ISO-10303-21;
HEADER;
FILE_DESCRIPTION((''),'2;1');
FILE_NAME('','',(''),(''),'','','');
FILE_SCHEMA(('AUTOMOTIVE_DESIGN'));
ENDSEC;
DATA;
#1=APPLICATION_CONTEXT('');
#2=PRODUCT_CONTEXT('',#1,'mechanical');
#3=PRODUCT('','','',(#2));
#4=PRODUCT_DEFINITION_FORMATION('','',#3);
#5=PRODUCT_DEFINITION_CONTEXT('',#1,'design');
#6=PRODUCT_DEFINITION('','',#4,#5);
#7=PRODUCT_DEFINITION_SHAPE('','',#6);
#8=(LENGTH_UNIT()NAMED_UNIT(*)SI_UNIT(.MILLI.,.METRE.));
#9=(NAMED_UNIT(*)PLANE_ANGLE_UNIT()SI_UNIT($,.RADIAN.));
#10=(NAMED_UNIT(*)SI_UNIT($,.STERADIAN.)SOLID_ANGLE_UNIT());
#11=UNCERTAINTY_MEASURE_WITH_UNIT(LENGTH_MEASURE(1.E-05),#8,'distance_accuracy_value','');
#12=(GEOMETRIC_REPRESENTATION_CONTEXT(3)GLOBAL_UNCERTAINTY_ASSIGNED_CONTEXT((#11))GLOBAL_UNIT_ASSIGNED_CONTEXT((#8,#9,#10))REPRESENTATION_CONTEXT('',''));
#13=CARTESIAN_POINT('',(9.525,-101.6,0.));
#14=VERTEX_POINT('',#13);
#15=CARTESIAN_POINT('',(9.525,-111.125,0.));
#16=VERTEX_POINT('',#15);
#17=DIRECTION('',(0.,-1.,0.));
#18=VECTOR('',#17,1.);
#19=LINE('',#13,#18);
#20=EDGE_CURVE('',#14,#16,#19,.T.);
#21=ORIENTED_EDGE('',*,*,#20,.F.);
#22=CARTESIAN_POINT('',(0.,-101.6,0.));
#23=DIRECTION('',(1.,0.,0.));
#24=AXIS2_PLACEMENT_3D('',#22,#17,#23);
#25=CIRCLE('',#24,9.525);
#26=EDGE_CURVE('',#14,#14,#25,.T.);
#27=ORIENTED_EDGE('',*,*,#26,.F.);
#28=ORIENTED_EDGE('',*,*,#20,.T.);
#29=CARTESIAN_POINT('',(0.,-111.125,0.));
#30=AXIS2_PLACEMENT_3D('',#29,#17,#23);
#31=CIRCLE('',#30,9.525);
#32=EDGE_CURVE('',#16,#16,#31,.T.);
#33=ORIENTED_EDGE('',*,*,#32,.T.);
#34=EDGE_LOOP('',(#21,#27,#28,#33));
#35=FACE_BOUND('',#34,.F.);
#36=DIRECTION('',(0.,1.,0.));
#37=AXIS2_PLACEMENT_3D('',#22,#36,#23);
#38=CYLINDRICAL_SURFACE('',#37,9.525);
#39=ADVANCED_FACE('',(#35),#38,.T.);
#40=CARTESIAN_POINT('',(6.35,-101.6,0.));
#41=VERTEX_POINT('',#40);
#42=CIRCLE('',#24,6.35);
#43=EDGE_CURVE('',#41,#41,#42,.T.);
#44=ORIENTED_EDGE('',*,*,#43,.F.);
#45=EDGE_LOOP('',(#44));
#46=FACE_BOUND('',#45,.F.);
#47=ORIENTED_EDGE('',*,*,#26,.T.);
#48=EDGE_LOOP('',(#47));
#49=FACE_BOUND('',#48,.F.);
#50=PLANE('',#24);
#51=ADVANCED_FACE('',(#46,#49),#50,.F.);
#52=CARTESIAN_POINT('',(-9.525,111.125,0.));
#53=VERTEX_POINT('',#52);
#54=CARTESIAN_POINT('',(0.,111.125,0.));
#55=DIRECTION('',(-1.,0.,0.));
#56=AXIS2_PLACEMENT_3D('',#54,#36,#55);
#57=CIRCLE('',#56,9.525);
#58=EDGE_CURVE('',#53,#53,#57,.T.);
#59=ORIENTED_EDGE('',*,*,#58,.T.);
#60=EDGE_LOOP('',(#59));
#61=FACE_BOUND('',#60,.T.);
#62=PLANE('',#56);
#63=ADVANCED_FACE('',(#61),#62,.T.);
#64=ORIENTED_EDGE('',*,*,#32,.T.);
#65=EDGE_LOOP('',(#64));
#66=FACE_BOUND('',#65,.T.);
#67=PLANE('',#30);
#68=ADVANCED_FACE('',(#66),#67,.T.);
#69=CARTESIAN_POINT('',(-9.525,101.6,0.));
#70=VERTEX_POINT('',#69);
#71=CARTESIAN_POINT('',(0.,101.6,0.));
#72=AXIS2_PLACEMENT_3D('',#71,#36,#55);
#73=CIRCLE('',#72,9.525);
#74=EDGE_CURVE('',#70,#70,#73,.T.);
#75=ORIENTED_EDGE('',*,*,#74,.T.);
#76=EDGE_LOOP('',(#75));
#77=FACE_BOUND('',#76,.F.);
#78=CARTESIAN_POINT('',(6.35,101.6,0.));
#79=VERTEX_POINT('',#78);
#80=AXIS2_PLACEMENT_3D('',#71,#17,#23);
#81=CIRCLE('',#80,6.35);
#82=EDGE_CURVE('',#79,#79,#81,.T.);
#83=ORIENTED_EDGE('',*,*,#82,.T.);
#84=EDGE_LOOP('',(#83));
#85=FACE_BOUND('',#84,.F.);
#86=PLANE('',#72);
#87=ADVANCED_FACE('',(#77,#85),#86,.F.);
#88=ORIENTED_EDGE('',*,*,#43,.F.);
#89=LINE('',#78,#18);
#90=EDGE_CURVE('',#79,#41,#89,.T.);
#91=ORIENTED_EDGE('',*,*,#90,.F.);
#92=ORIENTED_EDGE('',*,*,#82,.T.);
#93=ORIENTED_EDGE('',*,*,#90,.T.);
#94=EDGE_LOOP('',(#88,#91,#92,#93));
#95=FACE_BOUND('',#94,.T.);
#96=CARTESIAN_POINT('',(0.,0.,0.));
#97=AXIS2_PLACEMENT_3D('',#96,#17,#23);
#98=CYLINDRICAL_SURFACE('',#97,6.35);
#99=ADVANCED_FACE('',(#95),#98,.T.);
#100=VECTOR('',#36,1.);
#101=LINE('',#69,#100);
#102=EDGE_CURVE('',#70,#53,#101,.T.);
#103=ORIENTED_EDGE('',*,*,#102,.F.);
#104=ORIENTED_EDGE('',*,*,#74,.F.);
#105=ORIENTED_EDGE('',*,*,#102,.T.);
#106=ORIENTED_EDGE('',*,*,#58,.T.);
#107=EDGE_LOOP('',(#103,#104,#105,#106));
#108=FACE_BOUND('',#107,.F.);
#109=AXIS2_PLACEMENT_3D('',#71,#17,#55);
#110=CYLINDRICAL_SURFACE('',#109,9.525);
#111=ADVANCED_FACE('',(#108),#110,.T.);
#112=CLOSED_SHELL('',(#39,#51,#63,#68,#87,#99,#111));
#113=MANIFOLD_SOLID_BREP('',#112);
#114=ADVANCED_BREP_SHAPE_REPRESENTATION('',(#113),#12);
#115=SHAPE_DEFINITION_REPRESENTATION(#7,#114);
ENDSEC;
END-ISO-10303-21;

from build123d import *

# Parameters (mm, degrees)
F0_R     = 6.35
F1_DEPTH = 101.6
F2_R     = 9.525
F3_DEPTH = 9.525
F4_R     = 9.525
F5_DEPTH = 9.525


with BuildPart() as f1:
    # F0 (on Front) → F1 (new body, symmetric)
    with BuildSketch(Plane.XZ):
        Circle(F0_R)
    extrude(amount=F1_DEPTH, both=True)

    # F2 (on face) → F3 (join)
    with BuildSketch(Plane.XZ.offset(101.6)):
        Circle(F2_R)
    extrude(amount=F3_DEPTH)

    # F4 (on face) → F5 (join)
    with BuildSketch(Plane(origin=(0, 101.6, 0), x_dir=(-1, 0, 0), z_dir=(0, 1, 0))):
        Circle(F4_R)
    extrude(amount=F5_DEPTH)


solid = f1.part
